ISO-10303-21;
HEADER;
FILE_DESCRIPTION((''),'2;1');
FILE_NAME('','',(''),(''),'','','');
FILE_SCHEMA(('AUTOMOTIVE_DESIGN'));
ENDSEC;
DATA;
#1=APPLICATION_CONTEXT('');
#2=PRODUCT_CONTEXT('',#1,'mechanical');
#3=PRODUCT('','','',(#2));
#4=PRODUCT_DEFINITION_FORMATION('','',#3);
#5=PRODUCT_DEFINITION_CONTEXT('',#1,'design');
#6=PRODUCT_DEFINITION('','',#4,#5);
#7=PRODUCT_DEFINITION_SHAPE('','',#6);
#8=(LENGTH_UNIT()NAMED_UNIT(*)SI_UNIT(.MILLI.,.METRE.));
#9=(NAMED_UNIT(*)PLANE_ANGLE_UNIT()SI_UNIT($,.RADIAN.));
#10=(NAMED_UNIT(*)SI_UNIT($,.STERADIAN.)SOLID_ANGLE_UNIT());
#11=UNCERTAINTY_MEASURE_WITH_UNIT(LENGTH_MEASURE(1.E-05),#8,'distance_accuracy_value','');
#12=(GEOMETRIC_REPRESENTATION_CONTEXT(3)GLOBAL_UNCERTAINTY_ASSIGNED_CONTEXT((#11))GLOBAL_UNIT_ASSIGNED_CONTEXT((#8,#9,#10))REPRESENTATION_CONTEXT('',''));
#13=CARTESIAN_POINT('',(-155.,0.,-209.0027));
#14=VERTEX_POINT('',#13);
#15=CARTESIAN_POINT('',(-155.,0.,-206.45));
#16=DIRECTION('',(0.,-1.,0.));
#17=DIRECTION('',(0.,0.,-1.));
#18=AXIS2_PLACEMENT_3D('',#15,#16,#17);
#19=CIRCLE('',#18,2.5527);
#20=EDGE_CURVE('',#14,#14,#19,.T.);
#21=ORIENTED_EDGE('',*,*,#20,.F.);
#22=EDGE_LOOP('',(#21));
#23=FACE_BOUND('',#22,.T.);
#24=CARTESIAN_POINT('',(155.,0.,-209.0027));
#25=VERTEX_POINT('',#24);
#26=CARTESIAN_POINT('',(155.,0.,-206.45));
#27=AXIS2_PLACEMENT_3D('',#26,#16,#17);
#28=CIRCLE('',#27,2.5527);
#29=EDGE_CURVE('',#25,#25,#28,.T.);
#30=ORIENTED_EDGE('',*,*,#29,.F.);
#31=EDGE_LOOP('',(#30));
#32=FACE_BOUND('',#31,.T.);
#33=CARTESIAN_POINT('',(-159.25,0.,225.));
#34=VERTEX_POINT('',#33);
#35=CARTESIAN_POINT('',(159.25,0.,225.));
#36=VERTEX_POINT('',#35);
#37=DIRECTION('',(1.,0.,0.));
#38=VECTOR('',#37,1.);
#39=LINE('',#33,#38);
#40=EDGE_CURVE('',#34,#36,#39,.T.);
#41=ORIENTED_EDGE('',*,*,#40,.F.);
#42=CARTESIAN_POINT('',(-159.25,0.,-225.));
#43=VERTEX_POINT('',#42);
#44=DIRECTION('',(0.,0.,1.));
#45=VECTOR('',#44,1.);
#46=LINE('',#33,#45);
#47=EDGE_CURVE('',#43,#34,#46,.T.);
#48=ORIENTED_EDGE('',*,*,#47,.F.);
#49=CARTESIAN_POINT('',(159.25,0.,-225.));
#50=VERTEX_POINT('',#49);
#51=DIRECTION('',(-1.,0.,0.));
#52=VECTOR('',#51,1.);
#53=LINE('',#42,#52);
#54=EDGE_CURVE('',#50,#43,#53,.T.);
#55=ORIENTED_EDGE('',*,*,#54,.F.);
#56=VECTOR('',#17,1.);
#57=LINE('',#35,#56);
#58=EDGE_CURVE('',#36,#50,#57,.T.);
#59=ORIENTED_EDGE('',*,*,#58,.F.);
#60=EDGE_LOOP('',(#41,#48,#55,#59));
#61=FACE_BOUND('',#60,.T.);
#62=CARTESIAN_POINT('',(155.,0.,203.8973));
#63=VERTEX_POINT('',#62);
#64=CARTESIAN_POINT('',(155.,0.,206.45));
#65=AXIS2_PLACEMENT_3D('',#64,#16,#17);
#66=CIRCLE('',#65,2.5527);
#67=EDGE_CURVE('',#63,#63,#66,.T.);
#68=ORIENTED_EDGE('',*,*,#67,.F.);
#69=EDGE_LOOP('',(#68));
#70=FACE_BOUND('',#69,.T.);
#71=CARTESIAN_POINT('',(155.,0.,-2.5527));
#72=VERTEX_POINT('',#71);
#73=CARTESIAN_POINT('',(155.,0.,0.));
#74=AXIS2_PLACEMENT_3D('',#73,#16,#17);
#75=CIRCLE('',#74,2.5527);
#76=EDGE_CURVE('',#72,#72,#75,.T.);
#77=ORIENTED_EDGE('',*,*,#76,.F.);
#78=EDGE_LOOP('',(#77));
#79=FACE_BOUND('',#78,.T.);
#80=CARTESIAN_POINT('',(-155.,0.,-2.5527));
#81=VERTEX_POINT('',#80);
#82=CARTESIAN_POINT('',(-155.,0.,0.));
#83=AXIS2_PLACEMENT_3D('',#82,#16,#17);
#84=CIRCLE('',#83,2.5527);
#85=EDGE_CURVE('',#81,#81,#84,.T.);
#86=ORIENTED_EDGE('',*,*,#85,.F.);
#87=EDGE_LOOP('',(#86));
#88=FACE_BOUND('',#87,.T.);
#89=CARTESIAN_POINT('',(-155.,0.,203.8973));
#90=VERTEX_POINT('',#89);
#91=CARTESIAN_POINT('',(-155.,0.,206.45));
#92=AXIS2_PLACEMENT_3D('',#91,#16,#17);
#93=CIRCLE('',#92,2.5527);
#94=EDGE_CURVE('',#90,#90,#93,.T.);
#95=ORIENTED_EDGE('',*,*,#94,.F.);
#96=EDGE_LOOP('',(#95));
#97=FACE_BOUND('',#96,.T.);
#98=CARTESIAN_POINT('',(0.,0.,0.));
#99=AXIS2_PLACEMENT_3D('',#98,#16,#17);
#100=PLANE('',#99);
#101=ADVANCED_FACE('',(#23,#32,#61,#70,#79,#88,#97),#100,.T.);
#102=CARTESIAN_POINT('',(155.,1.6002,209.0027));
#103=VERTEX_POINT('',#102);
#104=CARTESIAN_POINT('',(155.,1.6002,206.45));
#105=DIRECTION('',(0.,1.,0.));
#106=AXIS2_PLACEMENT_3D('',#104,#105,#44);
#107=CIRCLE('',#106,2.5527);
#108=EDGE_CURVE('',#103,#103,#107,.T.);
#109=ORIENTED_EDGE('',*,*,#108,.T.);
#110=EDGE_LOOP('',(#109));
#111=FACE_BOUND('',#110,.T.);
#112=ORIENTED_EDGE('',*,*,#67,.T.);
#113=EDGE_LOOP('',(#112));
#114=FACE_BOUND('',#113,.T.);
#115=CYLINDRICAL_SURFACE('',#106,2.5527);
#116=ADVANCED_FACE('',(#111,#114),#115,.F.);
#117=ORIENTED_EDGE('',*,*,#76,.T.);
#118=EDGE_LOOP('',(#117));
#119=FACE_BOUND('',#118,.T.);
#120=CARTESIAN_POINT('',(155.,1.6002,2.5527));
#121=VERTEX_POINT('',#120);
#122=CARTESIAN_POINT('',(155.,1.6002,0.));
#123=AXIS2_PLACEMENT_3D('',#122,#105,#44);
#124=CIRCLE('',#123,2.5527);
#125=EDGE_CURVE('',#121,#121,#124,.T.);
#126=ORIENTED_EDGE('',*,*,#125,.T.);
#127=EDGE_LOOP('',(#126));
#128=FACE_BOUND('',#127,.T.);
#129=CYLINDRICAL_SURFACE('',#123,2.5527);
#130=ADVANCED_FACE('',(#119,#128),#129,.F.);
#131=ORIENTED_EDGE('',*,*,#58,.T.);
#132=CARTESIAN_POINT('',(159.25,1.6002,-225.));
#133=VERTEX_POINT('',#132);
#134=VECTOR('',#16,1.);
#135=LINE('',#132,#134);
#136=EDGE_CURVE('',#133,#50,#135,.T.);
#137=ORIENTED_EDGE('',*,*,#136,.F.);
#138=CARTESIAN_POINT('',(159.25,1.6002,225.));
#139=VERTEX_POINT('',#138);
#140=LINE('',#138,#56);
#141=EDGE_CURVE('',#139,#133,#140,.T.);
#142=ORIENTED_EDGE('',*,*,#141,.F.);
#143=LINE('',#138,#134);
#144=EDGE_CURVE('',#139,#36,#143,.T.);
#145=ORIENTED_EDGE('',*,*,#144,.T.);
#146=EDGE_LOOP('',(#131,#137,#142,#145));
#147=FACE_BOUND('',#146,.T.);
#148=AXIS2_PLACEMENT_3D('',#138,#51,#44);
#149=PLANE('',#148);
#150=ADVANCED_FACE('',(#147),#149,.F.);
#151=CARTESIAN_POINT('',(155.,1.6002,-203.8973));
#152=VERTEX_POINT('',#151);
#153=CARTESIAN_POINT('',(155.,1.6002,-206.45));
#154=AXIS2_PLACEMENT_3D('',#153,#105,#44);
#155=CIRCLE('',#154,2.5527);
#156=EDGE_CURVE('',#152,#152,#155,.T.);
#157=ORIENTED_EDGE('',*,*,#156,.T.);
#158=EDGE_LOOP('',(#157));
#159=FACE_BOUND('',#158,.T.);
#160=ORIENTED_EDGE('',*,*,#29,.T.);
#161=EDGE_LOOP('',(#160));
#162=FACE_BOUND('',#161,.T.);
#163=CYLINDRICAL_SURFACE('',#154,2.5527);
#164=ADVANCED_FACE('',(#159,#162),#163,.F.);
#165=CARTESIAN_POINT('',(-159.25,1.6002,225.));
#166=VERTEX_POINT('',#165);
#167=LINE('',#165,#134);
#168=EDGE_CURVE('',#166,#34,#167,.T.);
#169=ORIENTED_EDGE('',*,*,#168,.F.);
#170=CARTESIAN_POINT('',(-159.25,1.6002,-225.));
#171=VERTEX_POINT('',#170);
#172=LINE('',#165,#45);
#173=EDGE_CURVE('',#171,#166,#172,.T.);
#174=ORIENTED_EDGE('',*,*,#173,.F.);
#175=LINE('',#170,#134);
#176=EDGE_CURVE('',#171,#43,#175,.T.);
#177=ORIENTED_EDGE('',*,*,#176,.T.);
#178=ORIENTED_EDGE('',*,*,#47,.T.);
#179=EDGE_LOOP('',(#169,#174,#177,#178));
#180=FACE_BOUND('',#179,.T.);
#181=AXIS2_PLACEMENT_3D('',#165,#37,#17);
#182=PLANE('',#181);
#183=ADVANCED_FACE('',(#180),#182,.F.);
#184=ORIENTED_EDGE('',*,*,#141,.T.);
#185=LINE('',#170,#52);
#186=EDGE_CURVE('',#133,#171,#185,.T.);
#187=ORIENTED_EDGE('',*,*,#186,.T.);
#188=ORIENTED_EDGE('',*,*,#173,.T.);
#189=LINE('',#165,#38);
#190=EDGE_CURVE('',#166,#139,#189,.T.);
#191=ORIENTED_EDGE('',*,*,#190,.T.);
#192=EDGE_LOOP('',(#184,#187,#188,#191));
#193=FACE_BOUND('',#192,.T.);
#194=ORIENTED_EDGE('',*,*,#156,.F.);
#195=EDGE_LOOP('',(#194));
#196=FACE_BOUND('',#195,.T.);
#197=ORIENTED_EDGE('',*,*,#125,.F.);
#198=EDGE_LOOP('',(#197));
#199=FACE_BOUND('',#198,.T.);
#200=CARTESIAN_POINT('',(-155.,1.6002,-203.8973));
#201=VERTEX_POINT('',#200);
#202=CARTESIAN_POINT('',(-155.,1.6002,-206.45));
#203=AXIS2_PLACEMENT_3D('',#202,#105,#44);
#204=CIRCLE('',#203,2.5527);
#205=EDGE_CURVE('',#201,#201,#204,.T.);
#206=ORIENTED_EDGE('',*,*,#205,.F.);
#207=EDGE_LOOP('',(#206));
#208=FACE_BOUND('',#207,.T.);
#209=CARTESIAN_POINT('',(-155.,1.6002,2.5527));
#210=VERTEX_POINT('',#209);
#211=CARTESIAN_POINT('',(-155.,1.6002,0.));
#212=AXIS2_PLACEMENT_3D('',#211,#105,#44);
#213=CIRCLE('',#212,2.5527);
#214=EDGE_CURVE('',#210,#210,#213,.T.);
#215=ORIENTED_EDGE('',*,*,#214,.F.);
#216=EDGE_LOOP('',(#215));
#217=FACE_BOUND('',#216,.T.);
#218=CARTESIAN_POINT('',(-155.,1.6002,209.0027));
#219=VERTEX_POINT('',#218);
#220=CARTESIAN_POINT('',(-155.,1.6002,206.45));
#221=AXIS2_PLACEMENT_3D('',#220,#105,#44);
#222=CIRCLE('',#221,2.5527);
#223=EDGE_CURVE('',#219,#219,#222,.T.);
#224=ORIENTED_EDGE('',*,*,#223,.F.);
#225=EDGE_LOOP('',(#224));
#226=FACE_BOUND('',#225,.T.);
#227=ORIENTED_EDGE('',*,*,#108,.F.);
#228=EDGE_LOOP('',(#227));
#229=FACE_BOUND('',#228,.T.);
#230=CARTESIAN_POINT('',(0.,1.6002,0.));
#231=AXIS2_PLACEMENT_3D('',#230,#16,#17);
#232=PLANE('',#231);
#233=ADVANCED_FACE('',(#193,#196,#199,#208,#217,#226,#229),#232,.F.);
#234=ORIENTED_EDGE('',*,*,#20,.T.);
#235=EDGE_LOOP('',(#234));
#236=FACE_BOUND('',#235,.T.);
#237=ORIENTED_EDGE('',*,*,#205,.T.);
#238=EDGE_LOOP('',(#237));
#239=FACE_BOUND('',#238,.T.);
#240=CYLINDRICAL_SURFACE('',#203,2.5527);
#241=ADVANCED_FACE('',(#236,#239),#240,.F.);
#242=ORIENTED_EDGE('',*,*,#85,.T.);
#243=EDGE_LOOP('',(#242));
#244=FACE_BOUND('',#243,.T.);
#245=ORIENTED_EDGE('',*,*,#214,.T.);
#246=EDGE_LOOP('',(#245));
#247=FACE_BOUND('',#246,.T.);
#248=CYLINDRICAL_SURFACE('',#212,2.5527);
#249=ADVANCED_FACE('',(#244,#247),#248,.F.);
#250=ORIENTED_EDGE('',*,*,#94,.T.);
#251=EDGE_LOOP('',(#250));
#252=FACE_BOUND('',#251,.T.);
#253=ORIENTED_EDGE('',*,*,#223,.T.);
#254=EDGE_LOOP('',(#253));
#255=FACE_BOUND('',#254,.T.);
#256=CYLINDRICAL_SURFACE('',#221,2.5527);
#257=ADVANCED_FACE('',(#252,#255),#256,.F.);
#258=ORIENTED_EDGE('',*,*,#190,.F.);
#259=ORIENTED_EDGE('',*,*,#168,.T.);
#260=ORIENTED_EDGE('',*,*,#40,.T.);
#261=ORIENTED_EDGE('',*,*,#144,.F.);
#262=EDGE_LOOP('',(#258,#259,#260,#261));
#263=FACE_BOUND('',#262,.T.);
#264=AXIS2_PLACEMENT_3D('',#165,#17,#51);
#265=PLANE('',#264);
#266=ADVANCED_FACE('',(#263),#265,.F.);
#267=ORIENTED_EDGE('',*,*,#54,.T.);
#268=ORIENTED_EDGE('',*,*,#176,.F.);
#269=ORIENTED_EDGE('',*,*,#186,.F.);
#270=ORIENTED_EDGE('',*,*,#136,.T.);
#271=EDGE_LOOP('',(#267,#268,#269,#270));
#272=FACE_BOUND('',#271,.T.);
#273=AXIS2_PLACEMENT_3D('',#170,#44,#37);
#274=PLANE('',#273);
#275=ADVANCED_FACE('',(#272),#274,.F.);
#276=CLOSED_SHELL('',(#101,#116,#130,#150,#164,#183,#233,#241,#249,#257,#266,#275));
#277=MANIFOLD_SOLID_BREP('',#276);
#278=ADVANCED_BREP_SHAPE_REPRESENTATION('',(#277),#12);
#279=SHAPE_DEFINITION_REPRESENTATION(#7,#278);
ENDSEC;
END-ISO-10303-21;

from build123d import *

# Parameters (mm, degrees)
SKETCH1_W                  = 318.5
SKETCH1_H                  = 450
BOSS_EXTRUDE1_DEPTH        = 1.6002
F_10_CLEARANCE_HOLE1_D     = 5.1054
F_10_CLEARANCE_HOLE1_DEPTH = 129.53
F_10_CLEARANCE_HOLE1_TIP   = 1.533816902


with BuildPart() as part:
    # Sketch1 → Boss-Extrude1 (new body)
    with BuildSketch(Plane(origin=(0, 0, 0), x_dir=(1, 0, 0), z_dir=(0, 1, 0))):
        Rectangle(SKETCH1_W, SKETCH1_H)
    extrude(amount=BOSS_EXTRUDE1_DEPTH)

    # #10 Clearance Hole1
    with Locations(Plane(origin=(0, 1.6002, 0), x_dir=(1, 0, 0), z_dir=(0, 1, 0))):
        with Locations((-155, 206.45), (155, 206.45), (155, 0), (155, -206.45), (-155, -206.45), (-155, 0)):
            Hole(F_10_CLEARANCE_HOLE1_D / 2, depth=F_10_CLEARANCE_HOLE1_DEPTH)
            with Locations((0, 0, -(F_10_CLEARANCE_HOLE1_DEPTH + F_10_CLEARANCE_HOLE1_TIP / 2))):  # 118° drill point
                Cone(0, F_10_CLEARANCE_HOLE1_D / 2, F_10_CLEARANCE_HOLE1_TIP, mode=Mode.SUBTRACT)


solid = part.part
